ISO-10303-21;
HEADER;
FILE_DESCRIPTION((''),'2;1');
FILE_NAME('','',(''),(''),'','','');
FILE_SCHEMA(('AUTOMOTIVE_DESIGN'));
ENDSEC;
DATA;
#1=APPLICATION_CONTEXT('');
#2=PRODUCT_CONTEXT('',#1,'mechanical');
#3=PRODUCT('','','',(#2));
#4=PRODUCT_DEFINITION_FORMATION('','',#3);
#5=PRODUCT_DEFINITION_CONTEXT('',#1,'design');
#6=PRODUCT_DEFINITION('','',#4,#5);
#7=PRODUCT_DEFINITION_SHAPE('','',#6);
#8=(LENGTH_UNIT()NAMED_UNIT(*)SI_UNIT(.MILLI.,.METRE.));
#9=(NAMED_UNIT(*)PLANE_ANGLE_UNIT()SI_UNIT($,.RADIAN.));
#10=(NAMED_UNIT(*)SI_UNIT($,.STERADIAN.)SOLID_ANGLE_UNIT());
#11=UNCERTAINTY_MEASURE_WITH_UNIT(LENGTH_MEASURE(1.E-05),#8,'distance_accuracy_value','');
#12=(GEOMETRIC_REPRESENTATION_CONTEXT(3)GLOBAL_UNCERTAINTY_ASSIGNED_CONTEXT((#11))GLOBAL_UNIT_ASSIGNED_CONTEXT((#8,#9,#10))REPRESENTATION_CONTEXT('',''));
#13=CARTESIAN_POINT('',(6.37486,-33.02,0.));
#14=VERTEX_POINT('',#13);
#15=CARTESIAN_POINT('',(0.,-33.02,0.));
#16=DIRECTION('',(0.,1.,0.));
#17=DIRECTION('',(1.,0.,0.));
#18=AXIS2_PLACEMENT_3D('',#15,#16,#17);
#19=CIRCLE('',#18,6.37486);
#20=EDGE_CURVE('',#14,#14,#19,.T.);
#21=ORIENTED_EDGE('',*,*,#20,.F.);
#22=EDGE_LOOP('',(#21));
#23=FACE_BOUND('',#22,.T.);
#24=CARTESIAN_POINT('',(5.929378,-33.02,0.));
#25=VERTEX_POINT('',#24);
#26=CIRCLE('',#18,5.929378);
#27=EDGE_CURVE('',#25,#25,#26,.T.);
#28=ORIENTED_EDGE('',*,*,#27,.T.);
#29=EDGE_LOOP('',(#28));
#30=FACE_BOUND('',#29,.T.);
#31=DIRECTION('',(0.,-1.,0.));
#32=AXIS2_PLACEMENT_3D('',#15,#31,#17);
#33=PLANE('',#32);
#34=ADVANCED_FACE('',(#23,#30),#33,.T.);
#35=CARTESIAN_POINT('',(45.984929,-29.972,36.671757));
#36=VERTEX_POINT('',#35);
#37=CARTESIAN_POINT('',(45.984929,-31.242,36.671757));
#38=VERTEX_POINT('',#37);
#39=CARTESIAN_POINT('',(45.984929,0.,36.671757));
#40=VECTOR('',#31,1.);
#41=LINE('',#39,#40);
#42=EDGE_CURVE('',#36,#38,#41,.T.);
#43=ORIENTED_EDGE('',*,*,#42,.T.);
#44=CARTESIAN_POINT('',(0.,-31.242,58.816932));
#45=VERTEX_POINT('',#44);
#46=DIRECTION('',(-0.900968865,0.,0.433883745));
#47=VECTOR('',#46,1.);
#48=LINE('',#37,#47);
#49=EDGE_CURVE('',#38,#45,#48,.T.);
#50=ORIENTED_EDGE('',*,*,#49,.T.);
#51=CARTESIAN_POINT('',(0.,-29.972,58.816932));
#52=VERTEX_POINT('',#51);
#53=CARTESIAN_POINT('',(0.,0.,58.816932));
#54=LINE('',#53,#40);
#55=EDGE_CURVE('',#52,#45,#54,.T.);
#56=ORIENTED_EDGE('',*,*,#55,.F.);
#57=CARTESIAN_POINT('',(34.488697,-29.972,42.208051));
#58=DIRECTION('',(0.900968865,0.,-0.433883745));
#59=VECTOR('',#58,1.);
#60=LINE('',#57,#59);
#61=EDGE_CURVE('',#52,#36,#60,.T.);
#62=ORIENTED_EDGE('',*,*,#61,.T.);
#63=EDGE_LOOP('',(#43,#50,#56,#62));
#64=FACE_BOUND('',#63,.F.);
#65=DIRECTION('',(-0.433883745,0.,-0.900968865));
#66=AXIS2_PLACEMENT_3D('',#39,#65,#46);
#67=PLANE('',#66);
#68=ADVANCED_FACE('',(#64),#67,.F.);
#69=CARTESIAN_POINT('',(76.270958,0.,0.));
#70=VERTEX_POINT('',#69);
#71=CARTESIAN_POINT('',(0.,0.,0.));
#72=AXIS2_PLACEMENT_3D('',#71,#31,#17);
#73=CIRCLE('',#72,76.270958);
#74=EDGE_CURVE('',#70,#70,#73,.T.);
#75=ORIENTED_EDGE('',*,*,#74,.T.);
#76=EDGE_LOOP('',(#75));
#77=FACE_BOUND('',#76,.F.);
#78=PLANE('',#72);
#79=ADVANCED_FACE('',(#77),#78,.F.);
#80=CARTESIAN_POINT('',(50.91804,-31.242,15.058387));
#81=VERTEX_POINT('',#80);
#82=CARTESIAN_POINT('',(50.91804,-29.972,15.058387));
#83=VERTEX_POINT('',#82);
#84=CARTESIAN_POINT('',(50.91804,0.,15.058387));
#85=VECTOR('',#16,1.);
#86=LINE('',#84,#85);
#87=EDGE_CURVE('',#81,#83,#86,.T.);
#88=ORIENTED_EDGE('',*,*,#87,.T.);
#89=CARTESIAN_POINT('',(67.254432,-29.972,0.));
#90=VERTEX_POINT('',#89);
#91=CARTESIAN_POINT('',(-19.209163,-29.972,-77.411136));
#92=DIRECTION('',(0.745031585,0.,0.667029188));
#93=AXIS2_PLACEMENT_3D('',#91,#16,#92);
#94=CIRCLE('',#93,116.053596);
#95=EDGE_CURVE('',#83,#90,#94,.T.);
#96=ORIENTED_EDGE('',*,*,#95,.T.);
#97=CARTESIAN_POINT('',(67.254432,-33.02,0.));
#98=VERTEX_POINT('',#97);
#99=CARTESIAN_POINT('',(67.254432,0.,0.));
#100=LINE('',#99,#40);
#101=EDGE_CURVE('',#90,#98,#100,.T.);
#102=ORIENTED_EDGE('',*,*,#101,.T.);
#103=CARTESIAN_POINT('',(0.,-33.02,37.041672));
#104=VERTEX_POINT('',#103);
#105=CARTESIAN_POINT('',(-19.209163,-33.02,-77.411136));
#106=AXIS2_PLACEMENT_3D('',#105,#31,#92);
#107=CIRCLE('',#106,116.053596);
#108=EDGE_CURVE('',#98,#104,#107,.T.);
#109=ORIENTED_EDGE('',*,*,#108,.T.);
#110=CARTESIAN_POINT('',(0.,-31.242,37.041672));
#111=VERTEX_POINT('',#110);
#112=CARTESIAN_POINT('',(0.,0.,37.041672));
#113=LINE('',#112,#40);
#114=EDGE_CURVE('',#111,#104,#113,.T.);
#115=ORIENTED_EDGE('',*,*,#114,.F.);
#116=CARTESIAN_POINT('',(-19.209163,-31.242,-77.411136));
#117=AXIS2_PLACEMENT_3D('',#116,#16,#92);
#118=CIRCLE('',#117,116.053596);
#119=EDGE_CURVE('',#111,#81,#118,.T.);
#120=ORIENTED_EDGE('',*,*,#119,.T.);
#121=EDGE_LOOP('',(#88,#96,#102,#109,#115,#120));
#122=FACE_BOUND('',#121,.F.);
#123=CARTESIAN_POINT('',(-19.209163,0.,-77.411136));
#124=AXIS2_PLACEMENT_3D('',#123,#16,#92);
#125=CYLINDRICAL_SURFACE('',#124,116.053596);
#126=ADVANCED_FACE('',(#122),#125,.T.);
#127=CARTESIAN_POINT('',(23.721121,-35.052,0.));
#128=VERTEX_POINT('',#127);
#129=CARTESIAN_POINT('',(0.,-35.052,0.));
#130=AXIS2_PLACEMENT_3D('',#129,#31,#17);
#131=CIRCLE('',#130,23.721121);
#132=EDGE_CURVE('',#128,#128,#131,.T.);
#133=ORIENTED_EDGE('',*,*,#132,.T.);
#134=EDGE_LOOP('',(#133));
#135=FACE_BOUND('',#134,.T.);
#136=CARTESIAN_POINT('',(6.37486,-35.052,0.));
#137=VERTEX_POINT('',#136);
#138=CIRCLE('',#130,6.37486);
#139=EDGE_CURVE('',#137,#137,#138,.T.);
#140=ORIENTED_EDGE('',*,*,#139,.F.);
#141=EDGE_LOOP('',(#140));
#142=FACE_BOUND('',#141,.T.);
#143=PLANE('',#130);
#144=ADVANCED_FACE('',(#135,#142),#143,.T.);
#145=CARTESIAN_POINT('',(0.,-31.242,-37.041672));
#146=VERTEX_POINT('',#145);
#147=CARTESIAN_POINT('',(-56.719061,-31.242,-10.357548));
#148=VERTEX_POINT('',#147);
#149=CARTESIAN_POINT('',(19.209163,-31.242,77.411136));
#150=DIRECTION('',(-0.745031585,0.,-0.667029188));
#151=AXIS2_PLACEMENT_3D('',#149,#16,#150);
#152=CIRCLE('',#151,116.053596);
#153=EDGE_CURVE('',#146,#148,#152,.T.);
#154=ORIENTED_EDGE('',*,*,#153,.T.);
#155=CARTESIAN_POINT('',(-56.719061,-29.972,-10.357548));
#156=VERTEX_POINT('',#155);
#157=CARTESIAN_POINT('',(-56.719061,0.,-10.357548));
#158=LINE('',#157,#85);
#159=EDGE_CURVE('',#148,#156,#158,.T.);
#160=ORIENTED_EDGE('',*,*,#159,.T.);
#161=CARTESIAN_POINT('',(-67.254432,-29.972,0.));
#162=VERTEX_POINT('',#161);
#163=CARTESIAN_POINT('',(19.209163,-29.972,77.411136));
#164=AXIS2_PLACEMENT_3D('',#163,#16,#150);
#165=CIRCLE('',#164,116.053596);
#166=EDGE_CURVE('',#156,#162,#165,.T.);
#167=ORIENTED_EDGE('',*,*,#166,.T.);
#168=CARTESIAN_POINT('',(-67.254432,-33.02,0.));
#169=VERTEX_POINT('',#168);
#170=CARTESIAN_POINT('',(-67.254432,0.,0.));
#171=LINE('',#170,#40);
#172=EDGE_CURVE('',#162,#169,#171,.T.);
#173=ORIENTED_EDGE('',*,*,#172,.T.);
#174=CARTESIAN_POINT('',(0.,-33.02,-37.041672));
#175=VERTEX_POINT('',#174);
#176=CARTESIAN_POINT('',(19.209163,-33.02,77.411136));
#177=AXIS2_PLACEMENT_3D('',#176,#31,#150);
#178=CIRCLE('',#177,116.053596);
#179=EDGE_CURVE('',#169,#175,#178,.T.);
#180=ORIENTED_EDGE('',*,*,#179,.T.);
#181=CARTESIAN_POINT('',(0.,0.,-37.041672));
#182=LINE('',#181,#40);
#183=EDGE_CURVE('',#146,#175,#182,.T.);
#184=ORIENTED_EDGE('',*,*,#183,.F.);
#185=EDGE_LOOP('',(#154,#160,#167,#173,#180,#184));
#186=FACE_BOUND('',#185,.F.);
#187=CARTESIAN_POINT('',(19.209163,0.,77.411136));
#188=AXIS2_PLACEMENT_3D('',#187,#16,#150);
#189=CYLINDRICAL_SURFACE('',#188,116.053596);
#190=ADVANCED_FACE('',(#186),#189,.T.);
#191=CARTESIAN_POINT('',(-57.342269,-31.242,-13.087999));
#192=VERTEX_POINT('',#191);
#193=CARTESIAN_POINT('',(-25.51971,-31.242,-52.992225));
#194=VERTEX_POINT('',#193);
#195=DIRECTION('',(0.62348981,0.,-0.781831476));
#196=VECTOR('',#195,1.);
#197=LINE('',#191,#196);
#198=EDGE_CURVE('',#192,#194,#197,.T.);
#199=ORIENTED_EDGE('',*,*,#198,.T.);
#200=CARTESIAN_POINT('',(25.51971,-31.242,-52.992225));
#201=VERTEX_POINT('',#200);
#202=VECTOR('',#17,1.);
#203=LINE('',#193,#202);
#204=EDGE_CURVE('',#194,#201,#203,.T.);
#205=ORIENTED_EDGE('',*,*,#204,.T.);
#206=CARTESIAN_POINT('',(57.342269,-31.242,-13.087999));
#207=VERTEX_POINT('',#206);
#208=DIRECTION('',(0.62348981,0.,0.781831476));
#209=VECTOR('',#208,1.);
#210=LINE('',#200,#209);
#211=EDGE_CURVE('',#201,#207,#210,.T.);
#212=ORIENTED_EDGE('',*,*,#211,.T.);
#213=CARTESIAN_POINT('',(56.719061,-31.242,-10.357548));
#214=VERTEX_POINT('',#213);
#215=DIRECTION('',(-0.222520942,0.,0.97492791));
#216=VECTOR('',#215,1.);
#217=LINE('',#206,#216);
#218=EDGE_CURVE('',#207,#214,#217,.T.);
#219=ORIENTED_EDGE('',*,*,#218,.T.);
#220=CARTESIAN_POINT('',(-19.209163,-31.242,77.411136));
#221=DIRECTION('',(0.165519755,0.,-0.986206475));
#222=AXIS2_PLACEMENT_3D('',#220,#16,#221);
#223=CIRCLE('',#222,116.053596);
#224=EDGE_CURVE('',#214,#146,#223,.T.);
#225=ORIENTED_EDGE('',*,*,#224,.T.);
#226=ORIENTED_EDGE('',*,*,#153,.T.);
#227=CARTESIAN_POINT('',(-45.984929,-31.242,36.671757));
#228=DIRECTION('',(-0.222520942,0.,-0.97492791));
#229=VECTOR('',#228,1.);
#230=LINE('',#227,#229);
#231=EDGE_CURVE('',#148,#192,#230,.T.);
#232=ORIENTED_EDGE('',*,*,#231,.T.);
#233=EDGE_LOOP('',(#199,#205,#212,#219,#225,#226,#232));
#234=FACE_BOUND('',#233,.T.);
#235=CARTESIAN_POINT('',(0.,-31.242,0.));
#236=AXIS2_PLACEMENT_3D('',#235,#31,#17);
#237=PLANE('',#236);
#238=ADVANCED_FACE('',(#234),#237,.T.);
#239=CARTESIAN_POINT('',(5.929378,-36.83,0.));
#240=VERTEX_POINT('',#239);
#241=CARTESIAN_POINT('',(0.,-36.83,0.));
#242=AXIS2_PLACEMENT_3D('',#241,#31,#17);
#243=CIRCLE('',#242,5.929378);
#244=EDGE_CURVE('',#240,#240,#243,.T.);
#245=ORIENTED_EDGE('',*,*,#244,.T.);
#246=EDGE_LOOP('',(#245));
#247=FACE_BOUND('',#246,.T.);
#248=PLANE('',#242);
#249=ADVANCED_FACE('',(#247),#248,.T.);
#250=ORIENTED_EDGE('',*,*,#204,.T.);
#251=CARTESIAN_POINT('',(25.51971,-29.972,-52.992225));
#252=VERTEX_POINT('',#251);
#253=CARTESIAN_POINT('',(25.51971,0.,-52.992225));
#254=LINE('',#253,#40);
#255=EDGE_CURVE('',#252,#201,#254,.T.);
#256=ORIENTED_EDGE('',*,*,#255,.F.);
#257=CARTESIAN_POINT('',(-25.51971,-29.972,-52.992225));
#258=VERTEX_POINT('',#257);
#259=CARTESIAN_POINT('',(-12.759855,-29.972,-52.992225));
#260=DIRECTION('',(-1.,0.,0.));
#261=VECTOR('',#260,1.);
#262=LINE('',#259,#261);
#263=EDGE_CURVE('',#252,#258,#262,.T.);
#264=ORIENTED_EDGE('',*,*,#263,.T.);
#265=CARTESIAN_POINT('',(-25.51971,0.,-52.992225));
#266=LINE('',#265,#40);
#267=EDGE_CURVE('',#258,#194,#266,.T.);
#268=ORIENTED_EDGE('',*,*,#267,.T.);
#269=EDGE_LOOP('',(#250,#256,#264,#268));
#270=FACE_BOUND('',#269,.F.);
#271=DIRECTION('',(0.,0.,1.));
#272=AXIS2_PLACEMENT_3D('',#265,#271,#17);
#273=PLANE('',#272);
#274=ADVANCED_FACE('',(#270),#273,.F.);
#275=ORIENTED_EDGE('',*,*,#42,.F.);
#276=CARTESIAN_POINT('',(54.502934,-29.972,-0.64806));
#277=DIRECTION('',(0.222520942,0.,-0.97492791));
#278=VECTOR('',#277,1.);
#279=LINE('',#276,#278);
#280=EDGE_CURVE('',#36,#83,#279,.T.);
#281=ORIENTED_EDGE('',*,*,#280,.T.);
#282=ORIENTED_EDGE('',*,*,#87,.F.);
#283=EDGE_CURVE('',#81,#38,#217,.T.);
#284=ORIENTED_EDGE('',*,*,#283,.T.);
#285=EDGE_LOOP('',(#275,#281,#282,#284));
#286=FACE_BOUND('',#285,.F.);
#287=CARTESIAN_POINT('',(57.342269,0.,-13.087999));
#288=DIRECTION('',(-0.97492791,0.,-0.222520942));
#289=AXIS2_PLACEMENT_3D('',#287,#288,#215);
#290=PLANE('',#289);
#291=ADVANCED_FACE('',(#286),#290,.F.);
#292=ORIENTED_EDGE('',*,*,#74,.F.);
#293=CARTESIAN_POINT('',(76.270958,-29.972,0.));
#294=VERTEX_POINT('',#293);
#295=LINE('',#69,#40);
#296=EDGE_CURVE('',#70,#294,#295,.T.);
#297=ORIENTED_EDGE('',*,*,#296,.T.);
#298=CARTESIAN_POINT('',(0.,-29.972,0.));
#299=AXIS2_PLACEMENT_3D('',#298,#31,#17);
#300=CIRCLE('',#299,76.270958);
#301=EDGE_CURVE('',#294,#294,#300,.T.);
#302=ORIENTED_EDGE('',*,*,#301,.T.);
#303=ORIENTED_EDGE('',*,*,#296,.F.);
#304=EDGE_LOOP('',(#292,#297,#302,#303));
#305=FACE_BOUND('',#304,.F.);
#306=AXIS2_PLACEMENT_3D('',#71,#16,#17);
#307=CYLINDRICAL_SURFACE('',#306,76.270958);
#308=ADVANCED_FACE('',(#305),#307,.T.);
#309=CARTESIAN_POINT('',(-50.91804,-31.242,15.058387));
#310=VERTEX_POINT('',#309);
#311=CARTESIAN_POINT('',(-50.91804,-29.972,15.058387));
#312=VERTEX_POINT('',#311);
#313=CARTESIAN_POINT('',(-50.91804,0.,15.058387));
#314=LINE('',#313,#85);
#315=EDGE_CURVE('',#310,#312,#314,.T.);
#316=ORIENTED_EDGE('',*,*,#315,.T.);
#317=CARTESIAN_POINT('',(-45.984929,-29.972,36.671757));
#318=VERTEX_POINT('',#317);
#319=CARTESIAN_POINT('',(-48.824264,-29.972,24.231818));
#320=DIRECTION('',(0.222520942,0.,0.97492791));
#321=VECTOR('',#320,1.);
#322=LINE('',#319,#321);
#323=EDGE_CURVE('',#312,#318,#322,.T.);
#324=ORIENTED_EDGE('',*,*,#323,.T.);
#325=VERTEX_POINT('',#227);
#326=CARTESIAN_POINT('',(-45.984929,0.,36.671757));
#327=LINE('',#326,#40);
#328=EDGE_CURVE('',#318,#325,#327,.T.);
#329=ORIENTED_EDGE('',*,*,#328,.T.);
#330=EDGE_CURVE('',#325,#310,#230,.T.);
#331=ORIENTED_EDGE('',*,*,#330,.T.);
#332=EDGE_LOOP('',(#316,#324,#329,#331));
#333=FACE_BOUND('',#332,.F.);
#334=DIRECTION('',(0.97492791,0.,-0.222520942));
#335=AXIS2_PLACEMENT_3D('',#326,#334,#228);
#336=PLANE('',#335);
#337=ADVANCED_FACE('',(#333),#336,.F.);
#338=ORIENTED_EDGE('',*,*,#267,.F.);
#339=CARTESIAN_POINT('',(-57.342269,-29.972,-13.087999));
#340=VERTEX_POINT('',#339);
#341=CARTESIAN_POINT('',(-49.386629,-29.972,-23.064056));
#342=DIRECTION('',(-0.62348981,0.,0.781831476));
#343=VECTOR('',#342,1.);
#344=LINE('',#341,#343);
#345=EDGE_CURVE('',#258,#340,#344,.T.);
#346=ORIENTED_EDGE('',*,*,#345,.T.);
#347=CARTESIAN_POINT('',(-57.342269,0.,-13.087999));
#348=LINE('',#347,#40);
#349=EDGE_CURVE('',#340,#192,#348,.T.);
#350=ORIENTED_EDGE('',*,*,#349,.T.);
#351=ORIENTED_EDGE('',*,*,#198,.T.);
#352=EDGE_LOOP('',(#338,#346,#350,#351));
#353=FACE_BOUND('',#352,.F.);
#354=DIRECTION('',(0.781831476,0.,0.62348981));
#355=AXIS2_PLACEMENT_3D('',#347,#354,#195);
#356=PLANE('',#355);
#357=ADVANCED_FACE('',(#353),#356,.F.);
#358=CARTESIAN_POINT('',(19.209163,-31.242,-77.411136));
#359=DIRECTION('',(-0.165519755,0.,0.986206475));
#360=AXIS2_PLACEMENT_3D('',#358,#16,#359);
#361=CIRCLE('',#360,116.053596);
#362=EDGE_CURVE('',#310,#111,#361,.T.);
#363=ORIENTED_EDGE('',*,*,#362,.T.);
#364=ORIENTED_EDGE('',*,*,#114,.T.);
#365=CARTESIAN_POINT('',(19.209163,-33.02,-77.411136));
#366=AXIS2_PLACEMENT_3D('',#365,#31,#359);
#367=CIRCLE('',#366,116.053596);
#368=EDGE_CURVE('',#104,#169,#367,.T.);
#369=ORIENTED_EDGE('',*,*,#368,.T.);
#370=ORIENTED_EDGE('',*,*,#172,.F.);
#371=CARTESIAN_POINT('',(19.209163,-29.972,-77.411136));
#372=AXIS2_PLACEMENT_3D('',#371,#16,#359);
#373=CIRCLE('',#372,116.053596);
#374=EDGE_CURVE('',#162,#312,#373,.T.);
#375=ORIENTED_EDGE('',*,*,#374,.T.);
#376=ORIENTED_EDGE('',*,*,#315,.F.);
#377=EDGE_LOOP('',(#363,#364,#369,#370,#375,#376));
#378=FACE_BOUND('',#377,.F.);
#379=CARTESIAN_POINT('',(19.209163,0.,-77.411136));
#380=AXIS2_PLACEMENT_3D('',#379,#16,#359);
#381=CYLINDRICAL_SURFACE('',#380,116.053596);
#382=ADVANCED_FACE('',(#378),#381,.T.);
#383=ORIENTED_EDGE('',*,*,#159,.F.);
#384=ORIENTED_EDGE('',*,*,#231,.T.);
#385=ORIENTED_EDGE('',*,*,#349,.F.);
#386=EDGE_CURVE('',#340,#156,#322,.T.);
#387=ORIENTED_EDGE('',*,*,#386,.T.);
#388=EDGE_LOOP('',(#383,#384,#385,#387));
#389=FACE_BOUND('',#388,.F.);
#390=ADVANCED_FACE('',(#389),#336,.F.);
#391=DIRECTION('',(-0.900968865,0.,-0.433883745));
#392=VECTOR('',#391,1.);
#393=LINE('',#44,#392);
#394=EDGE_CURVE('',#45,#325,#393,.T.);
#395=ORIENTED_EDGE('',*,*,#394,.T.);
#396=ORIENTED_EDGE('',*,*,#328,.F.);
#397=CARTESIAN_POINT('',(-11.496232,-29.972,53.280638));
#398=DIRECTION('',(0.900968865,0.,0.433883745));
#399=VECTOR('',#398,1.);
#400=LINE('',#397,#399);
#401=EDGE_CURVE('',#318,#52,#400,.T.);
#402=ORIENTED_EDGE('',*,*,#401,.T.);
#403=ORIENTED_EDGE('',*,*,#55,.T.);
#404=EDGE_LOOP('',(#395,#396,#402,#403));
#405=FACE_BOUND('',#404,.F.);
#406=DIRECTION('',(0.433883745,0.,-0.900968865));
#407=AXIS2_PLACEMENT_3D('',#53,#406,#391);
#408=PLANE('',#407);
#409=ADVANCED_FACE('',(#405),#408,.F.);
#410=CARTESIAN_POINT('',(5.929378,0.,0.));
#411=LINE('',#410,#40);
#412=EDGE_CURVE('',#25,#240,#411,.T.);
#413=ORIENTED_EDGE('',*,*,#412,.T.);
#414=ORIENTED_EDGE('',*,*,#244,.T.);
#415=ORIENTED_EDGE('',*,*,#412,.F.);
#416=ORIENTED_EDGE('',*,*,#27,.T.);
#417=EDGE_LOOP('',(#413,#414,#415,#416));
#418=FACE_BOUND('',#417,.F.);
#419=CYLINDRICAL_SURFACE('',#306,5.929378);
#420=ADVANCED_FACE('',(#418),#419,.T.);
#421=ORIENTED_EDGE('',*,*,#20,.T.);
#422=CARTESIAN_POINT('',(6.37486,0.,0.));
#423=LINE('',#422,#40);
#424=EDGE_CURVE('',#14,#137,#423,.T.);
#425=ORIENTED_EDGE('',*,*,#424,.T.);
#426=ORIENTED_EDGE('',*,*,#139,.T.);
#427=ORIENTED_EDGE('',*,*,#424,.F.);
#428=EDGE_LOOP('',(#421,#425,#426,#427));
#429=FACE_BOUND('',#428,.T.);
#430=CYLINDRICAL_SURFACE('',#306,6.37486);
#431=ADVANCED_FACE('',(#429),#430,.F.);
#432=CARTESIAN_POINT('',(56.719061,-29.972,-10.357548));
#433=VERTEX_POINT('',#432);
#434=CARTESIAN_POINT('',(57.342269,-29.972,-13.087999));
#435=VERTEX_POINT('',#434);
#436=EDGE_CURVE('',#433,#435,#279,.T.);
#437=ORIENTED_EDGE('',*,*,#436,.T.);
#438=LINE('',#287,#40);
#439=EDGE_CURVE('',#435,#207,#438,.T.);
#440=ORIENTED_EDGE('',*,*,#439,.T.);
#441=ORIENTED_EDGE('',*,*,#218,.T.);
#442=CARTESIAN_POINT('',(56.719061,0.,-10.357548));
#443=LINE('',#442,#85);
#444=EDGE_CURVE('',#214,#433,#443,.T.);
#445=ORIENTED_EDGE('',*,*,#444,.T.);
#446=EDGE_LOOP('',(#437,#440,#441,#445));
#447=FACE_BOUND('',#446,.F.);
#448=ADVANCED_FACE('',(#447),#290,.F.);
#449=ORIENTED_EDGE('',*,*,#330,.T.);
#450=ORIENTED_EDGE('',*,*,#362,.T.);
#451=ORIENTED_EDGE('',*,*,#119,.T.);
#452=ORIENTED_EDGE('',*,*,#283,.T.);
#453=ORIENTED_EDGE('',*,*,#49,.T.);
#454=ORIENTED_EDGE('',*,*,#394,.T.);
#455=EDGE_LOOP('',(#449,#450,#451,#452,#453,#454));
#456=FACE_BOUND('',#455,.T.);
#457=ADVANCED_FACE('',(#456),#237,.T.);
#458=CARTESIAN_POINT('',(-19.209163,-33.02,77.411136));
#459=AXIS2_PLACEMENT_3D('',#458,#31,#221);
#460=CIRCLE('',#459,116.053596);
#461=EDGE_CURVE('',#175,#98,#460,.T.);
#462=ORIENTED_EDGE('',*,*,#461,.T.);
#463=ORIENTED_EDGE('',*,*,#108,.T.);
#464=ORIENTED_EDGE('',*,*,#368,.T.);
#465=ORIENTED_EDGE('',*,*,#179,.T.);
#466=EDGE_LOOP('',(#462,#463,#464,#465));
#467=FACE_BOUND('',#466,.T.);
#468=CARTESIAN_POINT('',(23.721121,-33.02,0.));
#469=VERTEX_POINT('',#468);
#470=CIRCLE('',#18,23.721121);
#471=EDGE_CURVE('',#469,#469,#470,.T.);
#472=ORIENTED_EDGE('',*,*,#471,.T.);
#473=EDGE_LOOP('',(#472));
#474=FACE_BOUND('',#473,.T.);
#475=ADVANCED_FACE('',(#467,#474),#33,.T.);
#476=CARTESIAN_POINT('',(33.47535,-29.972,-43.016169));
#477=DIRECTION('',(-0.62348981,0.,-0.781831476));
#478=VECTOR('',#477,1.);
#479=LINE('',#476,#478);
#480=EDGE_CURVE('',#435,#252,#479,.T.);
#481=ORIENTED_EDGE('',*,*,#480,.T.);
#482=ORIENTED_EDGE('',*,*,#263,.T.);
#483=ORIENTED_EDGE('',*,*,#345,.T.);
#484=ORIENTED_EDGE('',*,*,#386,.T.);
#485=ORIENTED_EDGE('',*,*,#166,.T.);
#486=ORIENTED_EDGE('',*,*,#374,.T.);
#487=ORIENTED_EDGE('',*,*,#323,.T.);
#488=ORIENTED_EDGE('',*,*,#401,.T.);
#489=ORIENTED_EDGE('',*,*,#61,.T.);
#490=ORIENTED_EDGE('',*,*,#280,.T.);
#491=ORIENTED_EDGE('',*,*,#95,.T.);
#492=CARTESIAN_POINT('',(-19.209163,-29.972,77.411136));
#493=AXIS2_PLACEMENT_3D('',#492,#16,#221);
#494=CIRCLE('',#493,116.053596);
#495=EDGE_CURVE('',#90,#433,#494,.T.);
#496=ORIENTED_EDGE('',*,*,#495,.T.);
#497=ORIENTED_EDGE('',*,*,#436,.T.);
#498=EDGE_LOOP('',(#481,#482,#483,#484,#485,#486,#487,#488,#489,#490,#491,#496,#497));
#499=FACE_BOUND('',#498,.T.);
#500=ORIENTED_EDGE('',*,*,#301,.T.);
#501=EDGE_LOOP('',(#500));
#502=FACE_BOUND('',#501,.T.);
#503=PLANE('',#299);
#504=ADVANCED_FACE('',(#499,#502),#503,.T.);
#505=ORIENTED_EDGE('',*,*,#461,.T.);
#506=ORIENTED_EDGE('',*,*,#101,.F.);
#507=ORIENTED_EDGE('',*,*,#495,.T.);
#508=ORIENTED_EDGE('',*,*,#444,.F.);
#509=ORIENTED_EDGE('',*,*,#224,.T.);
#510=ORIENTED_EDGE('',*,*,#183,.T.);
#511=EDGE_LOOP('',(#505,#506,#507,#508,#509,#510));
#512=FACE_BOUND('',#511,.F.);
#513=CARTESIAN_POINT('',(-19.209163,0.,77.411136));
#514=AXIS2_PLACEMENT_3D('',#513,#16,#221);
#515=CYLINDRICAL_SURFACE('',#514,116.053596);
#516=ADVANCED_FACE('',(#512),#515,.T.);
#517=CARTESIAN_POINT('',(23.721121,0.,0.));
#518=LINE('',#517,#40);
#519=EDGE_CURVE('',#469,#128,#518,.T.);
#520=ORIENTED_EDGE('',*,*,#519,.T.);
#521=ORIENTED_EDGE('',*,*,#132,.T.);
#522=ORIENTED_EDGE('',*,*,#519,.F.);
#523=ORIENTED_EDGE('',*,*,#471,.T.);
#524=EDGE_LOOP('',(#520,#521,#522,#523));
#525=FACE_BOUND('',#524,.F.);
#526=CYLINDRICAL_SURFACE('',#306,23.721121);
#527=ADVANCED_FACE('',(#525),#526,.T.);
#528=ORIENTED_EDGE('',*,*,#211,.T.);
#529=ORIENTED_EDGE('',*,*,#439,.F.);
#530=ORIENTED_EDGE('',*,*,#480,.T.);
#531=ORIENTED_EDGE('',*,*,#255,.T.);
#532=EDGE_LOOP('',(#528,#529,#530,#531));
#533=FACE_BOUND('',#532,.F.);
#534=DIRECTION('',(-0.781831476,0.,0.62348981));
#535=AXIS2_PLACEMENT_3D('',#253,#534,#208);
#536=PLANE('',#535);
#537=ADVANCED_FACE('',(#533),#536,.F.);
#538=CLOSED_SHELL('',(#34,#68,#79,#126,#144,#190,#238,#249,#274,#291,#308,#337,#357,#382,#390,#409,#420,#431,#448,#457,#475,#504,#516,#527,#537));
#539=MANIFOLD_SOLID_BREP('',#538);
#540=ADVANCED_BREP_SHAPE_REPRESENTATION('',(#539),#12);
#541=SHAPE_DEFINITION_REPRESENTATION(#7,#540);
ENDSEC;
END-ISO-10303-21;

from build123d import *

# Parameters (mm, degrees)
F0_R     = 76.270958
F1_DEPTH = 29.972
F3_DEPTH = 33.02
F5_DEPTH = 31.242
F6_R     = 23.721121
F6_R_2   = 6.37486
F7_DEPTH = 35.052
F8_R     = 5.929378
F9_DEPTH = 36.83


with BuildPart() as f1:
    # F0 (on Front) → F1 (new body)
    with BuildSketch(Plane.XZ):
        Circle(F0_R)
    extrude(amount=F1_DEPTH)

    # F2 (on Front) → F3 (join)
    with BuildSketch(Plane.XZ):
        with BuildLine():
            ThreePointArc((67.254432, 0), (36.779267, 24.243834), (0, 37.041672))
            ThreePointArc((0, 37.041672), (-36.779267, 24.243834), (-67.254432, 0))
            ThreePointArc((-67.254432, 0), (-36.779267, -24.243834), (0, -37.041672))
            ThreePointArc((0, -37.041672), (36.779267, -24.243834), (67.254432, 0))
        make_face()
    extrude(amount=F3_DEPTH)

    # F4 (on Front) → F5 (join)
    with BuildSketch(Plane.XZ):
        Polygon((-25.51971, -52.992225), (25.51971, -52.992225), (57.342269, -13.087999), (45.984929, 36.671757), (0, 58.816932), (-45.984929, 36.671757), (-57.342269, -13.087999), align=None)
    extrude(amount=F5_DEPTH)

    # F6 (on Front) → F7 (join)
    with BuildSketch(Plane.XZ):
        Circle(F6_R)
        Circle(F6_R_2, mode=Mode.SUBTRACT)
    extrude(amount=F7_DEPTH)

    # F8 (on Front) → F9 (join)
    with BuildSketch(Plane.XZ):
        Circle(F8_R)
    extrude(amount=F9_DEPTH)


solid = f1.part
